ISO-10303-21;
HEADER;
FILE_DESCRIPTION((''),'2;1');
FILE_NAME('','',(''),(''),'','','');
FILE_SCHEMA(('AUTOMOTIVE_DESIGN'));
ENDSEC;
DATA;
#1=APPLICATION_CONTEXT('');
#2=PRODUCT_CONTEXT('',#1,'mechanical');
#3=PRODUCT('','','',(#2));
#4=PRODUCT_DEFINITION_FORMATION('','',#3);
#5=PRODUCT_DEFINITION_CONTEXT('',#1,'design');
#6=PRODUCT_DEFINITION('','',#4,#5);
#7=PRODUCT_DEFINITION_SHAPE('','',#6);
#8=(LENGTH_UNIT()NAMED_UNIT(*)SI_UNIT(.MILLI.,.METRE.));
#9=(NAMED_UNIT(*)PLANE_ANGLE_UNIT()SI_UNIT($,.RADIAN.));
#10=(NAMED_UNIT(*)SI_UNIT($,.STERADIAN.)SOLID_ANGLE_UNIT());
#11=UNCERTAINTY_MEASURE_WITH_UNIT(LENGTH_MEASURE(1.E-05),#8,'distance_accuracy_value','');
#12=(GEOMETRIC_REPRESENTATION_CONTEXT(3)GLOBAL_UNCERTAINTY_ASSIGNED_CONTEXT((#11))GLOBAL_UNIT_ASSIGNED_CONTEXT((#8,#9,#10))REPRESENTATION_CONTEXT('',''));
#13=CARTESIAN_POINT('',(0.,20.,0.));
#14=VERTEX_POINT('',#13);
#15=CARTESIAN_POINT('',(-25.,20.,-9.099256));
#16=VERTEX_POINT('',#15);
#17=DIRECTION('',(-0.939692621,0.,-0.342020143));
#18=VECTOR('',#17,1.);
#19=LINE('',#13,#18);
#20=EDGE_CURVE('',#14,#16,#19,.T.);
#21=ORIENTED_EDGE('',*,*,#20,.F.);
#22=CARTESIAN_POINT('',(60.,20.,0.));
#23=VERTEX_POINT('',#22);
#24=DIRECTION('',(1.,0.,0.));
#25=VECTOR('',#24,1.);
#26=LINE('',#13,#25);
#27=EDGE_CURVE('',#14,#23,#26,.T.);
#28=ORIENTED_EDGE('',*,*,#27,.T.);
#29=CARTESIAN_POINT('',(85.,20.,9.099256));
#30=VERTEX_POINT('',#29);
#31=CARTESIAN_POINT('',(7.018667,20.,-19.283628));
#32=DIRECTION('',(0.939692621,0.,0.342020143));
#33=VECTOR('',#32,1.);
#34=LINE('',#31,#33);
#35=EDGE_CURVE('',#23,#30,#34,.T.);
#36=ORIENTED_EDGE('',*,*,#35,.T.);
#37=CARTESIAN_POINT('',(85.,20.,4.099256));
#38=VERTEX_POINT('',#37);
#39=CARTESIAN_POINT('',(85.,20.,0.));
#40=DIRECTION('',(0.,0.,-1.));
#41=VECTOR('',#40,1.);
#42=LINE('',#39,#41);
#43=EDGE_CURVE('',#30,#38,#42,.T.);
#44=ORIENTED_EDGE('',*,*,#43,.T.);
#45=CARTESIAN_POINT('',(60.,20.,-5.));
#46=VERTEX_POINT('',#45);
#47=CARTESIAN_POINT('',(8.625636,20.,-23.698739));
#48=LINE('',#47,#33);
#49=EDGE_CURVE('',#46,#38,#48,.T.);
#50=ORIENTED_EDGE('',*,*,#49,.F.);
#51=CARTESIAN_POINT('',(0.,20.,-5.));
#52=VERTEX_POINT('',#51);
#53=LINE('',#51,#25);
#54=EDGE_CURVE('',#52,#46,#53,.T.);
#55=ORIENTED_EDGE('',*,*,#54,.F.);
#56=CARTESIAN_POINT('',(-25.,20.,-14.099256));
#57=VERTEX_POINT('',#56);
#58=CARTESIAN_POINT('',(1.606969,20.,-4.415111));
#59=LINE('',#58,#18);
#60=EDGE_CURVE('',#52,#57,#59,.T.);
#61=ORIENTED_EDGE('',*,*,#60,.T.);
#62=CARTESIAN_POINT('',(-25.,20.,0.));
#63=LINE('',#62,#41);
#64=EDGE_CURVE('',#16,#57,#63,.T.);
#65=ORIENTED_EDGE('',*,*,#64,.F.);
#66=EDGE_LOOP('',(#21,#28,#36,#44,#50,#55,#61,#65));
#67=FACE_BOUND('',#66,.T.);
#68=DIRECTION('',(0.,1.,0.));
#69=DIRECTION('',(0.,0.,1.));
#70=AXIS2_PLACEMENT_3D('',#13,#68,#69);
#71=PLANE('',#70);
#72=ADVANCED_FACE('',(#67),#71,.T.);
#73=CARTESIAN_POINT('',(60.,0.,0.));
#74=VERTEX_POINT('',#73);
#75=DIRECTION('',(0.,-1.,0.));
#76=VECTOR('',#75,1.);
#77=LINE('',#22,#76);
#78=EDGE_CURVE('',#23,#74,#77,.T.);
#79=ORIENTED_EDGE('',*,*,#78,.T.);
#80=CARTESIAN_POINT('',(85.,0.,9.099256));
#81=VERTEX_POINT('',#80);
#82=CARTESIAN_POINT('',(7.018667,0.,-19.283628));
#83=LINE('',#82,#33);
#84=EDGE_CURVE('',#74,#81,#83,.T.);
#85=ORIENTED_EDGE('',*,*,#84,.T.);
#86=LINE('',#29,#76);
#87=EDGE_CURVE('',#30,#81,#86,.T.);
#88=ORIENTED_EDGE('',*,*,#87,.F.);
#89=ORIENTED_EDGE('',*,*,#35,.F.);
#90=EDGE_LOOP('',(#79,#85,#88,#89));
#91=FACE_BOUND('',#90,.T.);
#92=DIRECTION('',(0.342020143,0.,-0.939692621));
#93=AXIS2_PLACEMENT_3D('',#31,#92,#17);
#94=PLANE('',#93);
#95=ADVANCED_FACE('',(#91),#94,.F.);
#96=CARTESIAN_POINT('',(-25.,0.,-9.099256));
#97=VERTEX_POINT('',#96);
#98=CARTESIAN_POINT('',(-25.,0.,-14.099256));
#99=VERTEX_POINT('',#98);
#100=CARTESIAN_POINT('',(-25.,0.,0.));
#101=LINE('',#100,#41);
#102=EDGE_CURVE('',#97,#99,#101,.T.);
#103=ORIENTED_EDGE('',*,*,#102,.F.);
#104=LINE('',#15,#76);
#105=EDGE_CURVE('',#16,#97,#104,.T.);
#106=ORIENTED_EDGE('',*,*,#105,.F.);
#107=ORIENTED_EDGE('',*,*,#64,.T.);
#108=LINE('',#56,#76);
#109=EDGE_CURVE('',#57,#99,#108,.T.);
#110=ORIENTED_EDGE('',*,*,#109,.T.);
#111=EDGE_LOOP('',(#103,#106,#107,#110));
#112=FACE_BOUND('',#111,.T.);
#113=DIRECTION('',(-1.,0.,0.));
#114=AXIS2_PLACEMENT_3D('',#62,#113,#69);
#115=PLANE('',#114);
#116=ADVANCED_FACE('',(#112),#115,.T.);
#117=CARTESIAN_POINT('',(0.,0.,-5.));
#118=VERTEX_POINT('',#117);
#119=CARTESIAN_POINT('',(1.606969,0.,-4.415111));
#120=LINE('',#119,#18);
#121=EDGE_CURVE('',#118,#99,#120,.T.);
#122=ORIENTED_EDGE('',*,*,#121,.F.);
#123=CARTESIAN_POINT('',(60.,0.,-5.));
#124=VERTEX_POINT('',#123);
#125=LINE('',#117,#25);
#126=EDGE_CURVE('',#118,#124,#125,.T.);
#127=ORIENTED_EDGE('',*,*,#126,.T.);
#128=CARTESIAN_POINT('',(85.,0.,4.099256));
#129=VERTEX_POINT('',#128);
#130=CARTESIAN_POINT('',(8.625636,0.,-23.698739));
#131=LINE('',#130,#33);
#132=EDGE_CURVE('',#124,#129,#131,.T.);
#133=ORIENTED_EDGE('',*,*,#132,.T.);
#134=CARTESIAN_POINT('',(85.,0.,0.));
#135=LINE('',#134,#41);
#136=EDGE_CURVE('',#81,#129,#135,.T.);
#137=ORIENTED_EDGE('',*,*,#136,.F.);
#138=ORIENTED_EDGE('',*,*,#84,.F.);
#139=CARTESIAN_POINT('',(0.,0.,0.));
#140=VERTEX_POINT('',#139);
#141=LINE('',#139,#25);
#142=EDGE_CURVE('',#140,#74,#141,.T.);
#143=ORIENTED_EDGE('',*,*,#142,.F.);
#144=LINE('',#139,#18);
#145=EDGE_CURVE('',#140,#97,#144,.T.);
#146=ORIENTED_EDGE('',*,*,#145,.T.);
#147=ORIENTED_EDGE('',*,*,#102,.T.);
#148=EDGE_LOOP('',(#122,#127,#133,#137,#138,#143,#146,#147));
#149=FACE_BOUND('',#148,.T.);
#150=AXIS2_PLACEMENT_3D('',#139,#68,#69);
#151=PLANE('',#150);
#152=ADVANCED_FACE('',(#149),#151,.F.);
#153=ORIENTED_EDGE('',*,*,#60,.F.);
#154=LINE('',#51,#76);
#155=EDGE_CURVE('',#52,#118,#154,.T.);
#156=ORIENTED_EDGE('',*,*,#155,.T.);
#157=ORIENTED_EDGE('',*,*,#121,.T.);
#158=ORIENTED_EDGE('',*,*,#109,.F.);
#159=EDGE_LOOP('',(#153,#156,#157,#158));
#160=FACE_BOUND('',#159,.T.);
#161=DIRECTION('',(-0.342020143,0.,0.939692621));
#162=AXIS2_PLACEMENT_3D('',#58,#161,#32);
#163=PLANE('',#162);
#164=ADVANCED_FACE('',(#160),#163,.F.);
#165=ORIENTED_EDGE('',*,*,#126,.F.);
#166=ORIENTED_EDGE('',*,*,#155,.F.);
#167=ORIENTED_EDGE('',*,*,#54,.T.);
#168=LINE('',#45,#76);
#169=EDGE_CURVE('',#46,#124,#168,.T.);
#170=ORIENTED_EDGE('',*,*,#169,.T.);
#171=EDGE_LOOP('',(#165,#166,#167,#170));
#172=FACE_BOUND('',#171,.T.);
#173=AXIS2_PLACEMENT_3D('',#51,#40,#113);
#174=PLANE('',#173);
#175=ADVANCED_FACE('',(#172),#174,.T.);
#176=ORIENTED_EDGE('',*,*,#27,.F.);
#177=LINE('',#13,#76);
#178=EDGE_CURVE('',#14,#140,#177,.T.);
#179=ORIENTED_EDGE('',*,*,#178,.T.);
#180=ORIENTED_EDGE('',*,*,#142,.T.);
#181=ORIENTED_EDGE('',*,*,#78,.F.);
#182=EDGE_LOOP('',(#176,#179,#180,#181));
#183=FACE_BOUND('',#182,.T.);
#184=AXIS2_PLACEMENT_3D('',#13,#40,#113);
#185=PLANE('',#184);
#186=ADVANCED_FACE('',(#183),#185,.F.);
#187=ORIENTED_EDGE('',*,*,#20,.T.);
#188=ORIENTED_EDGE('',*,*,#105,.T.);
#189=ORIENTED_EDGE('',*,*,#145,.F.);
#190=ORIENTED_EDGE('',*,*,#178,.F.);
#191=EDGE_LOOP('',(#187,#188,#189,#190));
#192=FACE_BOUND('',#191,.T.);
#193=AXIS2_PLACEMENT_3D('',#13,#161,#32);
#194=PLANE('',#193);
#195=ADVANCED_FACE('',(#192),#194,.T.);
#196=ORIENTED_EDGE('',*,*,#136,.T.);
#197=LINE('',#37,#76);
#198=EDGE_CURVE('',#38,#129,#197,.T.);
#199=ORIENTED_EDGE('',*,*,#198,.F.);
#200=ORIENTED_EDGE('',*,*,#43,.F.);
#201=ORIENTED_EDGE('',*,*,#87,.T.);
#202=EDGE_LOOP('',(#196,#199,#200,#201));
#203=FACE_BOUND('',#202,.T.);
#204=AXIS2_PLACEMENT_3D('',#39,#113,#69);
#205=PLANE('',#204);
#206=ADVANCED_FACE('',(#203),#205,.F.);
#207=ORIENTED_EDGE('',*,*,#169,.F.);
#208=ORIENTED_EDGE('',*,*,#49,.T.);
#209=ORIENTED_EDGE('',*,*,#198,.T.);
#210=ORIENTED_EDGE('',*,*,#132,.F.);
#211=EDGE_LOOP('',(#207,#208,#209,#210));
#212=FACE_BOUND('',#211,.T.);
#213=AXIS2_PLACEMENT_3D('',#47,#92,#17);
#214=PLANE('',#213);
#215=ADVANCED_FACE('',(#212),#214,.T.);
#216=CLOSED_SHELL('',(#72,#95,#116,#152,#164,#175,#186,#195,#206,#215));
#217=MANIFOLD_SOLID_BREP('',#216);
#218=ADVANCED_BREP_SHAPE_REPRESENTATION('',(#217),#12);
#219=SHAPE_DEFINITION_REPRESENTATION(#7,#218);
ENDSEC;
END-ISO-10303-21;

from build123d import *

# Parameters (mm, degrees)
SKETCH_1_W      = 60
SKETCH_1_H      = 5
EXTRUDE_1_DEPTH = 20


with BuildPart() as part:
    # 草图1 → 凸台-拉伸1 (new body)
    with BuildSketch(Plane(origin=(0, 0, 0), x_dir=(1, 0, 0), z_dir=(0, 1, 0))):
        Polygon((-25, 9.099255857), (-25, 14.099255857), (0, 5), (0, 0), align=None)
        with Locations((30, 2.5)):
            Rectangle(SKETCH_1_W, SKETCH_1_H)
        Polygon((60, 0), (85, -9.099255857), (85, -4.099255857), (60, 5), align=None)
    extrude(amount=EXTRUDE_1_DEPTH)


solid = part.part
